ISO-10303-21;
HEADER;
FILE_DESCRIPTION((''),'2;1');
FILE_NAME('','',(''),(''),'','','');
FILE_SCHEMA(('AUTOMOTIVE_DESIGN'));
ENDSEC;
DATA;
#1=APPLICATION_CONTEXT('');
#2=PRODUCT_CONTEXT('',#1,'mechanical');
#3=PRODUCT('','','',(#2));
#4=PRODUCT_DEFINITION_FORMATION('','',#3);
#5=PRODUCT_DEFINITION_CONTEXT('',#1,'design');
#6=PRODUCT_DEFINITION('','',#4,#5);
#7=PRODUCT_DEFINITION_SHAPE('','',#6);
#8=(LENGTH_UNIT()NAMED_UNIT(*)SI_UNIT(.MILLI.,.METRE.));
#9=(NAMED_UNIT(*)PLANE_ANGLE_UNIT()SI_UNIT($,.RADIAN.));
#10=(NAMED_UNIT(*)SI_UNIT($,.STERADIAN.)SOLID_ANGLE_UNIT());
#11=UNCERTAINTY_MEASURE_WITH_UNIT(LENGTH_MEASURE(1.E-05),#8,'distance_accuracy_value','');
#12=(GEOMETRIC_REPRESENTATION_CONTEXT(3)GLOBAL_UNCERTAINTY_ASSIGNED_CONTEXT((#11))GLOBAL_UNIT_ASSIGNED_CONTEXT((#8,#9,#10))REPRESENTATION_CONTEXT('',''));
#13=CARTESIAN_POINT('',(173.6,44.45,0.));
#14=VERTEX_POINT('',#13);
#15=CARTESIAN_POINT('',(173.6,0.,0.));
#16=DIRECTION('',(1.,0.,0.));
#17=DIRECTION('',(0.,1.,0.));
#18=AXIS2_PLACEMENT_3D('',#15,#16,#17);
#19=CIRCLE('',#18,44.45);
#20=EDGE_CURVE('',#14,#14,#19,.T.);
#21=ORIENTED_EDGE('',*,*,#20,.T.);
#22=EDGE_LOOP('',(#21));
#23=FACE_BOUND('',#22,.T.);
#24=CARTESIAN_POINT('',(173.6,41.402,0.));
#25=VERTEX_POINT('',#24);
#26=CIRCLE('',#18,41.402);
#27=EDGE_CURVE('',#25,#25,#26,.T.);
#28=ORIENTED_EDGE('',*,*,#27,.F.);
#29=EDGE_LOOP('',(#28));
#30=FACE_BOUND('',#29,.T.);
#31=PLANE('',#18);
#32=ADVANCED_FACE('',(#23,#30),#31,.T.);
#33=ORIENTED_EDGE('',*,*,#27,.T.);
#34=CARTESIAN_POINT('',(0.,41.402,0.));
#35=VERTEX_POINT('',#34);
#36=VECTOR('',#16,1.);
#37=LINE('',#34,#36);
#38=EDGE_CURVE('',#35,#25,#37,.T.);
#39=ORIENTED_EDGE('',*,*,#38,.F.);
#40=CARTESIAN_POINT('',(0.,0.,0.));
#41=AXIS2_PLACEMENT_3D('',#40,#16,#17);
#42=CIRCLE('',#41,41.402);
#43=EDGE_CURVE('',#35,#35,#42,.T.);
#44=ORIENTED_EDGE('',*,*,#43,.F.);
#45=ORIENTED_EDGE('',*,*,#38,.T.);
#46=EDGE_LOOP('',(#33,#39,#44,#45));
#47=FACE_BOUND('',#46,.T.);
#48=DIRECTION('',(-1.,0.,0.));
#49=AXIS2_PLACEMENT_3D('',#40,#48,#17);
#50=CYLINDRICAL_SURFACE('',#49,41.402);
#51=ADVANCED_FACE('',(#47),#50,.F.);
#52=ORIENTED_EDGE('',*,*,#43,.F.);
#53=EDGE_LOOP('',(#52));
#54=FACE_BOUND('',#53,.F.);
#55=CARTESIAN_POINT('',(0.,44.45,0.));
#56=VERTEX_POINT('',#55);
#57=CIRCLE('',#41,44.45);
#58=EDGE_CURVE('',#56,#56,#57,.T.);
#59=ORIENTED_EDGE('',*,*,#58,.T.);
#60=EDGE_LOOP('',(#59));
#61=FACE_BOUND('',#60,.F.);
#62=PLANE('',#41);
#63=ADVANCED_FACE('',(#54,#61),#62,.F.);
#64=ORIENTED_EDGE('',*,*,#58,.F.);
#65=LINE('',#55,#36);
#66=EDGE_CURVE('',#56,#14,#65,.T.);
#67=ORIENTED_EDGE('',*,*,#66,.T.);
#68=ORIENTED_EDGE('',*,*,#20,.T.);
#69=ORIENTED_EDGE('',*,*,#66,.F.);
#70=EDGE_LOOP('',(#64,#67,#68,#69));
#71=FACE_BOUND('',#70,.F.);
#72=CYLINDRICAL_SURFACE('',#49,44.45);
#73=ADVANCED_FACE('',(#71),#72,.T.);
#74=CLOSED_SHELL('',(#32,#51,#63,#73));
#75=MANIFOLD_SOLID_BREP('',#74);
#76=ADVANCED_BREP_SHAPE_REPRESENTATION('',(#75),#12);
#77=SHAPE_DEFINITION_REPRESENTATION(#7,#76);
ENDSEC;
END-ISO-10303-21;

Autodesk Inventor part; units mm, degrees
ref_plane "YZ Plane" through (0, 0, 0) normal (1, 0, 0) x (0, 1, 0)
ref_plane "XZ Plane" through (0, 0, 0) normal (0, 1, 0) x (-1, 0, 0)
ref_plane "XY Plane" through (0, 0, 0) normal (0, 0, 1) x (1, 0, 0)
sketch "Sketch1" plane through (0, 0, 0) normal (1, 0, 0) x (0, 1, 0)
  circle A0 centre (0, 0) radius 44.45
  circle A1 centre (0, 0) radius 41.402
  dimension "d0" = 88.9
  dimension "d1" = 3.048
extrude "Extrusion1" add sketch "Sketch1" along normal blind 173.6
equation "\"d0\" = OD"
equation "\"d1\" = t"
equation "\"d2\" = L"
equation "\"OD\" = 88.9"
equation "\"t\" = 3.048"
equation "\"L\" = EPL"
equation "\"ID\" = 82.804"
equation "\"EPL\" = PL + GD"
equation "\"Size_Designation\" = 1.2345"
equation "\"OPL\" = 173.8"
equation "\"GD\" = 0"
equation "\"PL\" = 173.6"
properties material "Stainless Steel"
